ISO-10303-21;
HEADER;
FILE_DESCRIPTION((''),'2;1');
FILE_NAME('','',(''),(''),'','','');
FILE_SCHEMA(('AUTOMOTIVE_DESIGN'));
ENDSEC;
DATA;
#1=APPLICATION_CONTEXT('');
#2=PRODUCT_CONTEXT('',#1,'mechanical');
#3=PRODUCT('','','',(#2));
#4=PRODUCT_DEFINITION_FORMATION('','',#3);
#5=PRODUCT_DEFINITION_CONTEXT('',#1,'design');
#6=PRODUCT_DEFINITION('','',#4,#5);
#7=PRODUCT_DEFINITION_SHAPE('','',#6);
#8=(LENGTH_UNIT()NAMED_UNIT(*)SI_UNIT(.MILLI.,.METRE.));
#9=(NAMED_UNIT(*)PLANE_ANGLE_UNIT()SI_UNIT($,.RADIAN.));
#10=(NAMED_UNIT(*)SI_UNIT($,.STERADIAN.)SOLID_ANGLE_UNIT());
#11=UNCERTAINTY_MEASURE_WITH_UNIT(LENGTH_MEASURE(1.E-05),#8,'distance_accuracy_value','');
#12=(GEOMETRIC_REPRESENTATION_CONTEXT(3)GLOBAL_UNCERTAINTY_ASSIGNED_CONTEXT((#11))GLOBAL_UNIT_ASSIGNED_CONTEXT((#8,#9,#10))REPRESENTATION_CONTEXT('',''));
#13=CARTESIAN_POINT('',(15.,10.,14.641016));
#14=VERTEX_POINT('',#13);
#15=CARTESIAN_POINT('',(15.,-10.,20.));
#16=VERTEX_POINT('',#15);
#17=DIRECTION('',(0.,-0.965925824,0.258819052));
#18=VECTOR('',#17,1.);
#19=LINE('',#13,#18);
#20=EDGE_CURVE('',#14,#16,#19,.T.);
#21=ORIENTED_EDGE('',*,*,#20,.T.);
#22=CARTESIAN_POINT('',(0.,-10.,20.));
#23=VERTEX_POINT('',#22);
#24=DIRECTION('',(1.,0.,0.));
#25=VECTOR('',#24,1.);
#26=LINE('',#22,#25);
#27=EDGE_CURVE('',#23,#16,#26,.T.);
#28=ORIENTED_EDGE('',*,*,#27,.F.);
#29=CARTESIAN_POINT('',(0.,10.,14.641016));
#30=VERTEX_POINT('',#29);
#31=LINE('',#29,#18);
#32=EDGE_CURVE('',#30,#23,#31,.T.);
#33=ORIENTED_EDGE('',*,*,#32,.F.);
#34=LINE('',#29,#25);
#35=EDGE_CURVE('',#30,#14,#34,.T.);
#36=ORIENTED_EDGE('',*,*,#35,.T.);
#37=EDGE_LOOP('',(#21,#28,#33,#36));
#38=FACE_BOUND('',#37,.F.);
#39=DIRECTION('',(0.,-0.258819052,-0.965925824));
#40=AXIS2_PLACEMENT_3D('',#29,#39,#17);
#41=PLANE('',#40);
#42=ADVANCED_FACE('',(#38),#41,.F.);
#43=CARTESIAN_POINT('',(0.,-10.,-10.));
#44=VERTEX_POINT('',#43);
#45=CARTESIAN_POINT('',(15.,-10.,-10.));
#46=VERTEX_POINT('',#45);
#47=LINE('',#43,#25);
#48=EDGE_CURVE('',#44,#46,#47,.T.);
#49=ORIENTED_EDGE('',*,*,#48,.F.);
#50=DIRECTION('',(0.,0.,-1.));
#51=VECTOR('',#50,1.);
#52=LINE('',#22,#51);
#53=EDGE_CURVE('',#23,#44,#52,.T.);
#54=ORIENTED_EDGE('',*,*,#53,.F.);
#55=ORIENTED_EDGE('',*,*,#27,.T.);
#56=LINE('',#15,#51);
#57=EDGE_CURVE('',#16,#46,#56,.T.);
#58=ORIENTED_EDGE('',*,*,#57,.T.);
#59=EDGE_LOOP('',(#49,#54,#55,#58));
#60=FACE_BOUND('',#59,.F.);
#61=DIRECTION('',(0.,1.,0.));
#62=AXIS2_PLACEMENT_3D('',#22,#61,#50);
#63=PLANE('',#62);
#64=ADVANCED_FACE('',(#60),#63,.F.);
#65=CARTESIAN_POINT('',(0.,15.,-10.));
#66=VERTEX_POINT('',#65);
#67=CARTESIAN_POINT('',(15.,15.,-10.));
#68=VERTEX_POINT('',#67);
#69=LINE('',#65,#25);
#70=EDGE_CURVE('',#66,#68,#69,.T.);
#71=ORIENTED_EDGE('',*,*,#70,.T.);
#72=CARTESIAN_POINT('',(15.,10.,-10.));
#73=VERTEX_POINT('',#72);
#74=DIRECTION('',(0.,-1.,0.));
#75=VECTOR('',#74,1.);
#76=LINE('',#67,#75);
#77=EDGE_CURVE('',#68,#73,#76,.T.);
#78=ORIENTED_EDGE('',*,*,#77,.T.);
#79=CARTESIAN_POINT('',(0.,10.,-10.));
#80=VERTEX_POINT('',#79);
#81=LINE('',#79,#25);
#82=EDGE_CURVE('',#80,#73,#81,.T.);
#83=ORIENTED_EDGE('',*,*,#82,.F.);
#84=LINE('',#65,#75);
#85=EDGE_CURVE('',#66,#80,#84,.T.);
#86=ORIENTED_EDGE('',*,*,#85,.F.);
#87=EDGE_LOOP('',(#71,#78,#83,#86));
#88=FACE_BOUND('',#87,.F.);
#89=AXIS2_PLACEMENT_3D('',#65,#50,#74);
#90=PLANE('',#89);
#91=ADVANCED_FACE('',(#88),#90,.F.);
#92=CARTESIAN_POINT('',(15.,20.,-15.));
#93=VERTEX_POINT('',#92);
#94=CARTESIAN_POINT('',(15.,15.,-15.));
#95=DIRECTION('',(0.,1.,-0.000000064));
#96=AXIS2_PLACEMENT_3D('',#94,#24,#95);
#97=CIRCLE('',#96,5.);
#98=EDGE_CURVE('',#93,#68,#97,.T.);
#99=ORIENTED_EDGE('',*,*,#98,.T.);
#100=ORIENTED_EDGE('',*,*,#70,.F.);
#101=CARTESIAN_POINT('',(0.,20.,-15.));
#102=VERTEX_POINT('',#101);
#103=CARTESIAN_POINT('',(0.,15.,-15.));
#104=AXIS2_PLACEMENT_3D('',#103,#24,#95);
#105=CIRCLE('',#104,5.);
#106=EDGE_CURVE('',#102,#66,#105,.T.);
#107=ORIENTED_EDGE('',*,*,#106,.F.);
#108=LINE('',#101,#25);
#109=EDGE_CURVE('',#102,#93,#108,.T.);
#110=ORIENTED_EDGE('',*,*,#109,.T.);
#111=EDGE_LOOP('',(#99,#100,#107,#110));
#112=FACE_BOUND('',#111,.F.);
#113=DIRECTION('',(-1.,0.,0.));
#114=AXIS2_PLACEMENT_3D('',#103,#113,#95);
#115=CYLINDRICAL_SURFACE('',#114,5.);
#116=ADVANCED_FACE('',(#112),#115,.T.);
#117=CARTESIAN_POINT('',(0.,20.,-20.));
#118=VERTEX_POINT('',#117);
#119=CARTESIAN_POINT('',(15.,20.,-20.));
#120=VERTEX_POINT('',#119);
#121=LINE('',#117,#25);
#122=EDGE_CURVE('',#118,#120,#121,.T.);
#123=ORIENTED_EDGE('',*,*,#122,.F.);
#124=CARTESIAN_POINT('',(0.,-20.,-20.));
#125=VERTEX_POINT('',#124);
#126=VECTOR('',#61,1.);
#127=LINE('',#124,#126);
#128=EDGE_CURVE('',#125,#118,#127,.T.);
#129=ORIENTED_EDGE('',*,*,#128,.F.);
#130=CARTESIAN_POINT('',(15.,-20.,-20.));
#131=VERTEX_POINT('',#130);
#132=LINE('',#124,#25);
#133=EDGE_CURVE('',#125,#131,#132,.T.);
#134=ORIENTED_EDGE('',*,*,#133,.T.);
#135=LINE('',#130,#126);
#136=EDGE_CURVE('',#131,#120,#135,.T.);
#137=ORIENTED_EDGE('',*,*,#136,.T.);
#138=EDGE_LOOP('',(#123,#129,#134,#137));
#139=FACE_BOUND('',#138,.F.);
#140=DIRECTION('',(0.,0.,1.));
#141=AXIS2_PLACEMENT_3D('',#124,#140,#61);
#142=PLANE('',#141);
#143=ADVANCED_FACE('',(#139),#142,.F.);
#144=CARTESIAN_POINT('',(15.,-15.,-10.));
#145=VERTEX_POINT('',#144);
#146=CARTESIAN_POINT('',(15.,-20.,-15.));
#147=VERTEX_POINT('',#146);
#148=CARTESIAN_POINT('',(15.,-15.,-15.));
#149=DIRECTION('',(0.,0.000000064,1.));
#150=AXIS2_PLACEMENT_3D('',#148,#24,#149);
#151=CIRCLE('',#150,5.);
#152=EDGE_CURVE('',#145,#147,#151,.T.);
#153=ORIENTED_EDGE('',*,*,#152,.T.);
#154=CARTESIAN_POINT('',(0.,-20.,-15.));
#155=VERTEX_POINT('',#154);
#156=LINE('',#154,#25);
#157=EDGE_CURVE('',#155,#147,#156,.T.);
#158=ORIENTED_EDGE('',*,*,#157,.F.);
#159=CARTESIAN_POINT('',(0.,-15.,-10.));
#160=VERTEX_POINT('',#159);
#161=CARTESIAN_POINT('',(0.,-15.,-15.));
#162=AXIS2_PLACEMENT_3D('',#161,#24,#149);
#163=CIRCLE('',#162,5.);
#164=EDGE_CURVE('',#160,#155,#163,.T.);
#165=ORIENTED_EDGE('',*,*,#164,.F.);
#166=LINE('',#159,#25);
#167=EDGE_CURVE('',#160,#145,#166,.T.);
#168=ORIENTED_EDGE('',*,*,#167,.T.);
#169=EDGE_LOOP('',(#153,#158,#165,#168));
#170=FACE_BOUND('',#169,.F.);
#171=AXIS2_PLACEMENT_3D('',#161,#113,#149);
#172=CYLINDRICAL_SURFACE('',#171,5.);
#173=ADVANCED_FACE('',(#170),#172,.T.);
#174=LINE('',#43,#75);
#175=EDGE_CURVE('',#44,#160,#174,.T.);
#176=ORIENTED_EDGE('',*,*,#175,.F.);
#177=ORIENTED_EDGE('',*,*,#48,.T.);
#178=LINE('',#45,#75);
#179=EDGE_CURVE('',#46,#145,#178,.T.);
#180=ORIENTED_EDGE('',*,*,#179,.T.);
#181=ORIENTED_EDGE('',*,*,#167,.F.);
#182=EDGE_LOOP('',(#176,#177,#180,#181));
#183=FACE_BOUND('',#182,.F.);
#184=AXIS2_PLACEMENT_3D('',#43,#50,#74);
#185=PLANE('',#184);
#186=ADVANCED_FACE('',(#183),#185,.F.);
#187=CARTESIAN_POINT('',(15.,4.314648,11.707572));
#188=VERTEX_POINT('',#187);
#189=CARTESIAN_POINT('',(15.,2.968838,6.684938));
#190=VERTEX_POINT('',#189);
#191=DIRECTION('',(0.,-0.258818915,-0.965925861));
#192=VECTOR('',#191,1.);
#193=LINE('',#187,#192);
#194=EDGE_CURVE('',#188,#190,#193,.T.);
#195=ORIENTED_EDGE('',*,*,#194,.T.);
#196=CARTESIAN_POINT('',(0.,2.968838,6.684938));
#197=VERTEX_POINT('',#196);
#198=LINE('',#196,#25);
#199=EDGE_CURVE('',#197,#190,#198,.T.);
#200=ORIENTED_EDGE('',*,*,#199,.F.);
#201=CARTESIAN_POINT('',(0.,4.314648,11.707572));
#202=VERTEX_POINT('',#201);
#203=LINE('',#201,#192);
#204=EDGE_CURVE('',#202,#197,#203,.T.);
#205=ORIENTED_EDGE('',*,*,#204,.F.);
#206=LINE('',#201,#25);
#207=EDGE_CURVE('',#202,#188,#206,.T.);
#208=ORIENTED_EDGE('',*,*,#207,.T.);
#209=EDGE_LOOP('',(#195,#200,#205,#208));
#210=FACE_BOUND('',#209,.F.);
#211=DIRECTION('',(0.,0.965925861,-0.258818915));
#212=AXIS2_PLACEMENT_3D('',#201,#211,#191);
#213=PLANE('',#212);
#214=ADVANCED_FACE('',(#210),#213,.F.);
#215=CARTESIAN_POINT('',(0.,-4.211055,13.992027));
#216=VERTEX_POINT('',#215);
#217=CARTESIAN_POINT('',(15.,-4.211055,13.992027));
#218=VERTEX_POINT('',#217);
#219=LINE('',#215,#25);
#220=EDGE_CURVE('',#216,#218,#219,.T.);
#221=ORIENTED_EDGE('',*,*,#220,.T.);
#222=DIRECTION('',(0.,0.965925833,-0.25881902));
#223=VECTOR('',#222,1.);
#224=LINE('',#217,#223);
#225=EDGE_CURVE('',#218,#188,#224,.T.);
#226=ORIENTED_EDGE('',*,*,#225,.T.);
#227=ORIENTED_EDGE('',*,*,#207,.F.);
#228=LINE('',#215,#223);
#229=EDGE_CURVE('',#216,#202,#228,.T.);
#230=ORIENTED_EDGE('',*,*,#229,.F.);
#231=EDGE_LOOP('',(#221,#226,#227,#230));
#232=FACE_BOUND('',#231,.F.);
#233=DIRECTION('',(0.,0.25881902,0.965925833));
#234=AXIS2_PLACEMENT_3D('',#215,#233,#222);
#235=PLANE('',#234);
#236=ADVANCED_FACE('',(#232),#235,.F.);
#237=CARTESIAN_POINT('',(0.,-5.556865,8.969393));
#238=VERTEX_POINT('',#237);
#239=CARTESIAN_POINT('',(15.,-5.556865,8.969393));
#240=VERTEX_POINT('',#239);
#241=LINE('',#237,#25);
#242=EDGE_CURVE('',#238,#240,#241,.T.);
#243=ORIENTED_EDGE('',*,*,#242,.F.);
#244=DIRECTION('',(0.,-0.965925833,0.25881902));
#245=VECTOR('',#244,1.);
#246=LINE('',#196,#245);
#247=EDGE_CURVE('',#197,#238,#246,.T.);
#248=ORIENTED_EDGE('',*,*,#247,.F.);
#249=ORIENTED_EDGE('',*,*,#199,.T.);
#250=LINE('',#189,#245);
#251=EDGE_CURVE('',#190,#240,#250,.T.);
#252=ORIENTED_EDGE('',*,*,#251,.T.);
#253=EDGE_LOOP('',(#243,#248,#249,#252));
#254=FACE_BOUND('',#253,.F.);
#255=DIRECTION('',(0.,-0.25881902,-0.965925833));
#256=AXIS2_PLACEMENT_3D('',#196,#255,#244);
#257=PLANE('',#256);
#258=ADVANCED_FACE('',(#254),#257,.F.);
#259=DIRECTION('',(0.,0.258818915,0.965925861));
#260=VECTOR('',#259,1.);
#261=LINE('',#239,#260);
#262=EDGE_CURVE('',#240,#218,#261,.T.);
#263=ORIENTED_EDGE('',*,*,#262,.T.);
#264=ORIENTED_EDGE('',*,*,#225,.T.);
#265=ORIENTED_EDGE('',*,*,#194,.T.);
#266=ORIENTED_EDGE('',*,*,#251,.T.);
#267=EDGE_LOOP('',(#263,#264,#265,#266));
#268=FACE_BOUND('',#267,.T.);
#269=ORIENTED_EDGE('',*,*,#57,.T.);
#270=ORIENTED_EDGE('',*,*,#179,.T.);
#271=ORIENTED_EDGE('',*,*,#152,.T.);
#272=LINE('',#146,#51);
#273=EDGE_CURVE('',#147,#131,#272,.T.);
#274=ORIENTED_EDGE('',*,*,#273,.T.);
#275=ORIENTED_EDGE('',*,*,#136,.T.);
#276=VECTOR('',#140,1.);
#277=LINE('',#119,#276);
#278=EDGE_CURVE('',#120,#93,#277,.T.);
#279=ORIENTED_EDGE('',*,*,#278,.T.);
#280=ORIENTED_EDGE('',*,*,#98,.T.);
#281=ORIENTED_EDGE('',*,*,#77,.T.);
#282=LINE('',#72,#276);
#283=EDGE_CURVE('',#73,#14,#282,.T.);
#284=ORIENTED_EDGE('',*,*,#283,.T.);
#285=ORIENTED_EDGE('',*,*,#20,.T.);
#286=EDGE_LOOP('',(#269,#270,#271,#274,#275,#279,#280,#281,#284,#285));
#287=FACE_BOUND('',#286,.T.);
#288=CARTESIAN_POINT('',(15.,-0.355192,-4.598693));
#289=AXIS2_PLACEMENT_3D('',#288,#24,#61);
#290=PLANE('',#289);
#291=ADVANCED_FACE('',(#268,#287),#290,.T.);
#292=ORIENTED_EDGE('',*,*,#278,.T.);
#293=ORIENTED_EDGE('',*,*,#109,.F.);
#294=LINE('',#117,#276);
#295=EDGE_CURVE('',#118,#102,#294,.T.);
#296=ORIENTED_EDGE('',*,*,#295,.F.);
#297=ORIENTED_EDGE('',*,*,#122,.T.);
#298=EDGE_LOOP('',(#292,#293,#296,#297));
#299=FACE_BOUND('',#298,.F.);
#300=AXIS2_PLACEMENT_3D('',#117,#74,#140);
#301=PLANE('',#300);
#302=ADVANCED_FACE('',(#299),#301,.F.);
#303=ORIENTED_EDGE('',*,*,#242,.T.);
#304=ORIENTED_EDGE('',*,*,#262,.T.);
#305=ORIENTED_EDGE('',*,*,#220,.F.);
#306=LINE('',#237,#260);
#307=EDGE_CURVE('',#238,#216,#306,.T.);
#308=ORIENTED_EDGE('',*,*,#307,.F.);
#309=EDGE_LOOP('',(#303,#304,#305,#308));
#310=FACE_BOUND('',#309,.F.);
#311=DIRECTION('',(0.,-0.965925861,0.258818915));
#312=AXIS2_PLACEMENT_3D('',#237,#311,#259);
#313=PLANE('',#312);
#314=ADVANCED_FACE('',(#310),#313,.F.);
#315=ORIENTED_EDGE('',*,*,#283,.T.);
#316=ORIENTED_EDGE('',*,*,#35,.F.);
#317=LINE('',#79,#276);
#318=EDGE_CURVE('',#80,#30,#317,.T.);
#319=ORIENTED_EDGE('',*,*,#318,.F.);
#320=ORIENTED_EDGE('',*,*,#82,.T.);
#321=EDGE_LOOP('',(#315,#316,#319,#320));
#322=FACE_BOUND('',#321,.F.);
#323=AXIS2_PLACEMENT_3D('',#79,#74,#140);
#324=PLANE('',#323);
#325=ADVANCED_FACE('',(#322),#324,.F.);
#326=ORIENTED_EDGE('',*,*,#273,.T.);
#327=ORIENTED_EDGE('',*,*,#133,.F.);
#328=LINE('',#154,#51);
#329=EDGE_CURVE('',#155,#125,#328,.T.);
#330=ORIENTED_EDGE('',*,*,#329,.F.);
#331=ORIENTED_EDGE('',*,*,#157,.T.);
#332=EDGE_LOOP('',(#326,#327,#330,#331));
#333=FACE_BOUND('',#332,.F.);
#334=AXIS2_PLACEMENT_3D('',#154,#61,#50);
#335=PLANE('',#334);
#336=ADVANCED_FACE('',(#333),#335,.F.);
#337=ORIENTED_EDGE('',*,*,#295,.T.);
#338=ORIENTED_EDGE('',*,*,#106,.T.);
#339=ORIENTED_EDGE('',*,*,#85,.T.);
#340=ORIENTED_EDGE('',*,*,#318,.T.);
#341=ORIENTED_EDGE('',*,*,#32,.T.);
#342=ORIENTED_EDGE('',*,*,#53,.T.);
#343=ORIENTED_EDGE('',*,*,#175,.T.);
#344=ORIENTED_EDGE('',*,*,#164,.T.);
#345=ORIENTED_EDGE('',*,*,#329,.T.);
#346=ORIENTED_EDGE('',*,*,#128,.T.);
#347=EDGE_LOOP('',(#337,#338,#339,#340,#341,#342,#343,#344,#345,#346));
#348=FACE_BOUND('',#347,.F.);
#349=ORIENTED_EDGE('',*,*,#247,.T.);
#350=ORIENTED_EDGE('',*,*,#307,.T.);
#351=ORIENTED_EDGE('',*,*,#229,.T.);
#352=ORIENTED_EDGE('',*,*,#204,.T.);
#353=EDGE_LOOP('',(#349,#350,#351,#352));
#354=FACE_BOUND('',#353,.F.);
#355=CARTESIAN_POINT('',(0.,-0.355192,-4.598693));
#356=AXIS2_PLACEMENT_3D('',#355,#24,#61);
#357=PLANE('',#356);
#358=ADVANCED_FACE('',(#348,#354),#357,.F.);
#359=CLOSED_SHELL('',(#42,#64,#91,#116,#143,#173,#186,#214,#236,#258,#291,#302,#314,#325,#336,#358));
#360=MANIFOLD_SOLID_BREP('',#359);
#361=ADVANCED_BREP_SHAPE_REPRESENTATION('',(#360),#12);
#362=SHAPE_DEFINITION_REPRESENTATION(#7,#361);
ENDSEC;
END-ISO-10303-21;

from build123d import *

# Parameters (mm, degrees)
F1_DEPTH = 15


with BuildPart() as f1:
    # F0 (on Right) → F1 (new body)
    with BuildSketch(Plane.YZ):
        with BuildLine():
            Line((-20, -20), (-10, -20))
            Line((-10, -20), (10, -20))
            Line((10, -20), (20, -20))
            Line((20, -20), (20, -15))
            ThreePointArc((20, -15), (18.535534, -11.464466), (15, -10))
            Line((15, -10), (10, -10))
            Line((10, -10), (10, 14.641016))
            Line((10, 14.641016), (-10, 20))
            Line((-10, 20), (-10, -10))
            Line((-10, -10), (-15, -10))
            ThreePointArc((-15, -10), (-18.535534, -11.464466), (-20, -15))
            Line((-20, -15), (-20, -20))
        make_face()
        Polygon((-4.211055, 13.992027), (4.314648, 11.707572), (2.968838, 6.684938), (-5.556865, 8.969393), align=None, mode=Mode.SUBTRACT)
    extrude(amount=F1_DEPTH)


solid = f1.part
